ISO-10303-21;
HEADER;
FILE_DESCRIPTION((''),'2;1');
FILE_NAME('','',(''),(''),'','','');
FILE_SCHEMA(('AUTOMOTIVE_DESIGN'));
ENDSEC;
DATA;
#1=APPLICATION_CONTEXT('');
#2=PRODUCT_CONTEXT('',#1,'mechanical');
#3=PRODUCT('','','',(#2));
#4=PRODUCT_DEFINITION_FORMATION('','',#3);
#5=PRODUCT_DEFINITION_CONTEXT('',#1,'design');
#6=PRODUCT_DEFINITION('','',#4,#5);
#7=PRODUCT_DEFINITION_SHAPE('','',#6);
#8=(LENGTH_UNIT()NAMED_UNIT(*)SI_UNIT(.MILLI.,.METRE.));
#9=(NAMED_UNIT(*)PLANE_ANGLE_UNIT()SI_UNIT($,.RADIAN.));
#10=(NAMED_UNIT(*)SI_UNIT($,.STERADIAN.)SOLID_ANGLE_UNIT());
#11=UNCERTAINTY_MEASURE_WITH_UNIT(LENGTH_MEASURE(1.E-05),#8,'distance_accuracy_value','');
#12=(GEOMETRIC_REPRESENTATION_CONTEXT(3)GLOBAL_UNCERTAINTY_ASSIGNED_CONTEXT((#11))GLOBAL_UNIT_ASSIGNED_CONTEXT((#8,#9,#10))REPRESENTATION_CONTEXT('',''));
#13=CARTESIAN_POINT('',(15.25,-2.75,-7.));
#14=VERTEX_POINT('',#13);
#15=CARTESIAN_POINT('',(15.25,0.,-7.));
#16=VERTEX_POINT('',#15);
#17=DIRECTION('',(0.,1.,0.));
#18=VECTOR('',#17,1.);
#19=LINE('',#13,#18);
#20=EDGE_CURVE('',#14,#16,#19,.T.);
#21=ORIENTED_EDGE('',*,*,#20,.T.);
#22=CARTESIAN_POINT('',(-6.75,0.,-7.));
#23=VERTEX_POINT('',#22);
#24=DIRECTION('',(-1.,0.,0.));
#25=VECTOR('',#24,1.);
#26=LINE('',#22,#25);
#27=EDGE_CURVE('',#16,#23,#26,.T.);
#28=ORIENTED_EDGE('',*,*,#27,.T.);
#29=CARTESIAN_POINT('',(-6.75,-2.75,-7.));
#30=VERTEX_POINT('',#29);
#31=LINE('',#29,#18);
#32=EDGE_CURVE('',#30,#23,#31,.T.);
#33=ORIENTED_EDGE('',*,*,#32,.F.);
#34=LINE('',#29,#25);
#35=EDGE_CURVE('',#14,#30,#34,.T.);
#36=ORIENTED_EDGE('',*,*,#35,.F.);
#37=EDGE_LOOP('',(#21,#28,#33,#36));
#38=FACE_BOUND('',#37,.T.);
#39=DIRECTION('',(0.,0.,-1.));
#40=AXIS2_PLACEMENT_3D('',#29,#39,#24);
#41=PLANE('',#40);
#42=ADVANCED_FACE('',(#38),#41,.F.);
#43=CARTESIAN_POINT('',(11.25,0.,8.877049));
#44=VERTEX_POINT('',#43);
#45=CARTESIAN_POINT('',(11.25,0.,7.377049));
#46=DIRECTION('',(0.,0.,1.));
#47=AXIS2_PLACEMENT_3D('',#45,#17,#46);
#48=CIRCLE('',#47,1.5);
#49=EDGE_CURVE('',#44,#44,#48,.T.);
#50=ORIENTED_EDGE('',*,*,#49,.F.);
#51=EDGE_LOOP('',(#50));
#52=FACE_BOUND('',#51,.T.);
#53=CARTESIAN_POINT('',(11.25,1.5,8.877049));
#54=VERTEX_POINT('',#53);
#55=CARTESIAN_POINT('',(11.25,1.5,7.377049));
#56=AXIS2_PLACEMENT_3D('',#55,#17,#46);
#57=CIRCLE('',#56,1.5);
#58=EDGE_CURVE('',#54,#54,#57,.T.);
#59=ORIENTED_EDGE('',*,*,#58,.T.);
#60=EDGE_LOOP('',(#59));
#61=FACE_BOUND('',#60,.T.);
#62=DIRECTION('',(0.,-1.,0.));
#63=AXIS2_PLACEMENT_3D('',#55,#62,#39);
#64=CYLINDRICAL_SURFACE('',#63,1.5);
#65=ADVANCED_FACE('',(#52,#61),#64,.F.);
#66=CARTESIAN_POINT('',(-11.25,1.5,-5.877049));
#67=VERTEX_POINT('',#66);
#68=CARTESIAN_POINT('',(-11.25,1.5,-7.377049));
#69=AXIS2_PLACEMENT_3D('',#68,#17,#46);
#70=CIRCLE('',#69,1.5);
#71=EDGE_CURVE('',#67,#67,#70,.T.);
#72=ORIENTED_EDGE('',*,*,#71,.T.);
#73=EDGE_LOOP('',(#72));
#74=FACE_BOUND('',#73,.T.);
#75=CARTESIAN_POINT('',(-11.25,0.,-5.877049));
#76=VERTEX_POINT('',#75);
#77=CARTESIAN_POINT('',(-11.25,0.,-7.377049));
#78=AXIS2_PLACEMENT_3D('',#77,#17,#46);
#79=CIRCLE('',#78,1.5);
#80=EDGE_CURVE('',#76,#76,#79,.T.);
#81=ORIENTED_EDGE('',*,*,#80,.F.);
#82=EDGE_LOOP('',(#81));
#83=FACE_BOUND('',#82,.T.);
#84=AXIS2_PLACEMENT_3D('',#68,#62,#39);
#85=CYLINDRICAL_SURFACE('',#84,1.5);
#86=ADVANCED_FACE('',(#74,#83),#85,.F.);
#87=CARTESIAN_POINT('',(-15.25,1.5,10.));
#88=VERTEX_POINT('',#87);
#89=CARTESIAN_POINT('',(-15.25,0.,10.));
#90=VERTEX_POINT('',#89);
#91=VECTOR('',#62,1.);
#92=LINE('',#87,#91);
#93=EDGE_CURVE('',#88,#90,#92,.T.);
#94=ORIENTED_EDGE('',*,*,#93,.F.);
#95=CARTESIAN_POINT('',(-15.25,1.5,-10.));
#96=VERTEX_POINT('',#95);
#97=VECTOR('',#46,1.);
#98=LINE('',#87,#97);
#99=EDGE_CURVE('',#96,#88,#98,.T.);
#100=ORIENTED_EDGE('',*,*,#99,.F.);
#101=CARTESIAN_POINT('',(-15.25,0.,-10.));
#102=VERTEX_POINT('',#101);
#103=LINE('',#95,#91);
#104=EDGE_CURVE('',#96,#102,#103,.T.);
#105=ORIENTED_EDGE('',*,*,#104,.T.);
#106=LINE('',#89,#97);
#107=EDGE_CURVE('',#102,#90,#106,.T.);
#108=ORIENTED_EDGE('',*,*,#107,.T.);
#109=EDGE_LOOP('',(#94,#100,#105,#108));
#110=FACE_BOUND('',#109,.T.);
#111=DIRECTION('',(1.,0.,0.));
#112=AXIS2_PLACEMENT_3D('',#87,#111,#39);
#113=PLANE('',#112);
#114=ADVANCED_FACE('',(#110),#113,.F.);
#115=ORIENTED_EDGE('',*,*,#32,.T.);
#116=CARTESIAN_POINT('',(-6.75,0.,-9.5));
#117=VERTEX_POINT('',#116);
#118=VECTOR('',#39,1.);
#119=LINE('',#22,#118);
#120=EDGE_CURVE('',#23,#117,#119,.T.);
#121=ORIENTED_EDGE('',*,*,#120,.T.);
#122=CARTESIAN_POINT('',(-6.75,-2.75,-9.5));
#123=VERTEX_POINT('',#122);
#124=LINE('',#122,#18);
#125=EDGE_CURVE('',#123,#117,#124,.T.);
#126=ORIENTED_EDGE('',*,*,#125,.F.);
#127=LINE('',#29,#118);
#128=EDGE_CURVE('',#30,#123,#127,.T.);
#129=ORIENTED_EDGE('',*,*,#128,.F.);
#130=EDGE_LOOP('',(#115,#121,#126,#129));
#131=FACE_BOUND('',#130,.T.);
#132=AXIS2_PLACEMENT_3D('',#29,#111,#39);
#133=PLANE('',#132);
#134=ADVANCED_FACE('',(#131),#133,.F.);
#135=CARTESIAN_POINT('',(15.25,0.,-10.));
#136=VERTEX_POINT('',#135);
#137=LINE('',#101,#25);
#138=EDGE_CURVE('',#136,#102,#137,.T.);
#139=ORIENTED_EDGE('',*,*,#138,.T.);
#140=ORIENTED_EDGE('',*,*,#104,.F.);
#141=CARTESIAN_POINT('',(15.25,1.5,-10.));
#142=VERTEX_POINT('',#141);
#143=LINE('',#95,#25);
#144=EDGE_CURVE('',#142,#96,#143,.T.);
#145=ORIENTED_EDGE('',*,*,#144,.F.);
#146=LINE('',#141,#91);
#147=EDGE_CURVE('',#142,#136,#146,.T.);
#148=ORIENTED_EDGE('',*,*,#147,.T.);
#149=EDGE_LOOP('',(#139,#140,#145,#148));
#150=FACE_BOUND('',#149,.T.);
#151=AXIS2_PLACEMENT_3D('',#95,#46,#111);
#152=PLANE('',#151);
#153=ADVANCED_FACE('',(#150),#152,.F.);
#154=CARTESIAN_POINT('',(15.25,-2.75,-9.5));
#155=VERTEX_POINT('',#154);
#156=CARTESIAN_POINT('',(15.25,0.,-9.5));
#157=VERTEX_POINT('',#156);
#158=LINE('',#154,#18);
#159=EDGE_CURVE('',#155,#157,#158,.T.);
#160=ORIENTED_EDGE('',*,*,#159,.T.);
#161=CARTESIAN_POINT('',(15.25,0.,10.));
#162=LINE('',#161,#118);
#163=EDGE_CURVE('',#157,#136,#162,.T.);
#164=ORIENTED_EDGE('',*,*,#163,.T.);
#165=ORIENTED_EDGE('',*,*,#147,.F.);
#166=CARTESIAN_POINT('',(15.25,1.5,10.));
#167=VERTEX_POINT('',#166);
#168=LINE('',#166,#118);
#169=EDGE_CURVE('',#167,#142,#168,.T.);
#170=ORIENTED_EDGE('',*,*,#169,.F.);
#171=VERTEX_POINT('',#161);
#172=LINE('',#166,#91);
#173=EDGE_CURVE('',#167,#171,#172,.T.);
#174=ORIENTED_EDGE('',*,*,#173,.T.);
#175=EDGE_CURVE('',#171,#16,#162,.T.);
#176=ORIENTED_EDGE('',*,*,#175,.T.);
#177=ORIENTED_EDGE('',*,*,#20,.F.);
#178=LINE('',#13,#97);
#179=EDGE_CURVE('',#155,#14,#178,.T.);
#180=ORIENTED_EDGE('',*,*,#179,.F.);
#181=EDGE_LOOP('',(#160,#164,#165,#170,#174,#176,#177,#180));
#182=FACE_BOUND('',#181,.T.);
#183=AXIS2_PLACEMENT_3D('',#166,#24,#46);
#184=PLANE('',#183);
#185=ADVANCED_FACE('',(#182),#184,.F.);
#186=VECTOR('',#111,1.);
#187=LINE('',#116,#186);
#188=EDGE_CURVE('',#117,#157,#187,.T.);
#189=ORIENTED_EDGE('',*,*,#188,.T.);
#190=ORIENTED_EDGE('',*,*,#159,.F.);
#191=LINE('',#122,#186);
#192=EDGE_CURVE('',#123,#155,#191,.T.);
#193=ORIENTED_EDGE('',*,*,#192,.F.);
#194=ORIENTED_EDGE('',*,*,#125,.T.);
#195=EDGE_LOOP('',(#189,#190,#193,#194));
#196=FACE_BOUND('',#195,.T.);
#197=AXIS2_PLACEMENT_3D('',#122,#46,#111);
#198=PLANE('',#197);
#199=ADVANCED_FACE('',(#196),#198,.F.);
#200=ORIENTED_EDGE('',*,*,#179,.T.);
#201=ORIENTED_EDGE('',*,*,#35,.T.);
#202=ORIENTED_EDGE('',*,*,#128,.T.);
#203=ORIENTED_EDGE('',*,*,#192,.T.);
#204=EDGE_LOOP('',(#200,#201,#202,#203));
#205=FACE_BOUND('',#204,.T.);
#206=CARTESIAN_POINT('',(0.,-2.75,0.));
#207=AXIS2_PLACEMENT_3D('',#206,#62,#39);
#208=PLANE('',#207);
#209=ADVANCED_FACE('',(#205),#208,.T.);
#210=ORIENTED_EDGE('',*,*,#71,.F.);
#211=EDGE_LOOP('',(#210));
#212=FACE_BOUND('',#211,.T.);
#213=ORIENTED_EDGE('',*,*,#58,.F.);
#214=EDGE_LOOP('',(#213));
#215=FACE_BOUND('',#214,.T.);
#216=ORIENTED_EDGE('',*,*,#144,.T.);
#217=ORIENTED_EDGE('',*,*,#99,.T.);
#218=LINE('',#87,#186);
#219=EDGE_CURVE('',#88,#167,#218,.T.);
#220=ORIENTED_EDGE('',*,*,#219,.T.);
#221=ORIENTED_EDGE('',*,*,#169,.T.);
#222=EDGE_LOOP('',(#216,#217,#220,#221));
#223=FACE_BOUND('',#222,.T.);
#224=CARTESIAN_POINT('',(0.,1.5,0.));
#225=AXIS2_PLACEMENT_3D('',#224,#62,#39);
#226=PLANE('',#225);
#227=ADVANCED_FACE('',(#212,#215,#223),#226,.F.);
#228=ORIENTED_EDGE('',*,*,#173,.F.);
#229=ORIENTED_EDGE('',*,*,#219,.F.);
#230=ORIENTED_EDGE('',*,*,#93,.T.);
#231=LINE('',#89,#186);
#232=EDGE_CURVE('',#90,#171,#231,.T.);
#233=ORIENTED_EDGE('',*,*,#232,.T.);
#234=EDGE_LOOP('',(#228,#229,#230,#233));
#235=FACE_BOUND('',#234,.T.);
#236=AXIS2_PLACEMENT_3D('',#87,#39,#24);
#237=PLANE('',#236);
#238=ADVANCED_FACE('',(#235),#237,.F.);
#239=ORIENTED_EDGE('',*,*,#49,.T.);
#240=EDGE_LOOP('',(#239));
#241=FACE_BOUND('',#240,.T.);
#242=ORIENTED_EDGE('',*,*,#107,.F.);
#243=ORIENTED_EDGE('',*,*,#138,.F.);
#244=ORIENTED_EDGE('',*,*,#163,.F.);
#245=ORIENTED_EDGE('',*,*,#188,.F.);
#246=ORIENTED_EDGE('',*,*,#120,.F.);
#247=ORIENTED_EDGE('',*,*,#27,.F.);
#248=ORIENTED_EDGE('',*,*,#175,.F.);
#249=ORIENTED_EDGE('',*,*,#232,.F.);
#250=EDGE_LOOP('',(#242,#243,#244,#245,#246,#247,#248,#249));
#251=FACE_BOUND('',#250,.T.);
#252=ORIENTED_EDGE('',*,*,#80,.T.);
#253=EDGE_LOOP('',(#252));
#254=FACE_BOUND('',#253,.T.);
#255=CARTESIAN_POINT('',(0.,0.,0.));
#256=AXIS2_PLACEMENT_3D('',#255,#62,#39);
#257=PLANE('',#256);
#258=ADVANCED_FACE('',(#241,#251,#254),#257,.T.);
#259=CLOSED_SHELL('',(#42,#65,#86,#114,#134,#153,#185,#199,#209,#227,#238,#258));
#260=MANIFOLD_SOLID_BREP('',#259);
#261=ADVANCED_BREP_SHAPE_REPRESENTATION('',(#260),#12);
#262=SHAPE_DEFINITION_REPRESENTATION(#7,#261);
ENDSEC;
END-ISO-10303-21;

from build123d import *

# Parameters (mm, degrees)
CROQUIS1_W              = 30.5
CROQUIS1_H              = 20
CROQUIS1_R              = 1.5
SALIENTE_EXTRUIR1_DEPTH = 1.5
CROQUIS2_W              = 22
CROQUIS2_H              = 2.5
SALIENTE_EXTRUIR2_DEPTH = 2.75


with BuildPart() as part:
    # Croquis1 → Saliente-Extruir1 (new body)
    with BuildSketch(Plane(origin=(0, 0, 0), x_dir=(1, 0, 0), z_dir=(0, 1, 0))):
        Rectangle(CROQUIS1_W, CROQUIS1_H)
        with Locations(Location((-11.25, 7.37704918, 0), (0, 0, 270))):
            Circle(CROQUIS1_R, mode=Mode.SUBTRACT)
        with Locations(Location((11.25, -7.37704918, 0), (0, 0, 270))):
            Circle(CROQUIS1_R, mode=Mode.SUBTRACT)
    extrude(amount=SALIENTE_EXTRUIR1_DEPTH)

    # Croquis2 → Saliente-Extruir2 (add)
    with BuildSketch(Plane.XZ):
        with Locations((4.25, -8.25)):
            Rectangle(CROQUIS2_W, CROQUIS2_H)
    extrude(amount=SALIENTE_EXTRUIR2_DEPTH)


solid = part.part
